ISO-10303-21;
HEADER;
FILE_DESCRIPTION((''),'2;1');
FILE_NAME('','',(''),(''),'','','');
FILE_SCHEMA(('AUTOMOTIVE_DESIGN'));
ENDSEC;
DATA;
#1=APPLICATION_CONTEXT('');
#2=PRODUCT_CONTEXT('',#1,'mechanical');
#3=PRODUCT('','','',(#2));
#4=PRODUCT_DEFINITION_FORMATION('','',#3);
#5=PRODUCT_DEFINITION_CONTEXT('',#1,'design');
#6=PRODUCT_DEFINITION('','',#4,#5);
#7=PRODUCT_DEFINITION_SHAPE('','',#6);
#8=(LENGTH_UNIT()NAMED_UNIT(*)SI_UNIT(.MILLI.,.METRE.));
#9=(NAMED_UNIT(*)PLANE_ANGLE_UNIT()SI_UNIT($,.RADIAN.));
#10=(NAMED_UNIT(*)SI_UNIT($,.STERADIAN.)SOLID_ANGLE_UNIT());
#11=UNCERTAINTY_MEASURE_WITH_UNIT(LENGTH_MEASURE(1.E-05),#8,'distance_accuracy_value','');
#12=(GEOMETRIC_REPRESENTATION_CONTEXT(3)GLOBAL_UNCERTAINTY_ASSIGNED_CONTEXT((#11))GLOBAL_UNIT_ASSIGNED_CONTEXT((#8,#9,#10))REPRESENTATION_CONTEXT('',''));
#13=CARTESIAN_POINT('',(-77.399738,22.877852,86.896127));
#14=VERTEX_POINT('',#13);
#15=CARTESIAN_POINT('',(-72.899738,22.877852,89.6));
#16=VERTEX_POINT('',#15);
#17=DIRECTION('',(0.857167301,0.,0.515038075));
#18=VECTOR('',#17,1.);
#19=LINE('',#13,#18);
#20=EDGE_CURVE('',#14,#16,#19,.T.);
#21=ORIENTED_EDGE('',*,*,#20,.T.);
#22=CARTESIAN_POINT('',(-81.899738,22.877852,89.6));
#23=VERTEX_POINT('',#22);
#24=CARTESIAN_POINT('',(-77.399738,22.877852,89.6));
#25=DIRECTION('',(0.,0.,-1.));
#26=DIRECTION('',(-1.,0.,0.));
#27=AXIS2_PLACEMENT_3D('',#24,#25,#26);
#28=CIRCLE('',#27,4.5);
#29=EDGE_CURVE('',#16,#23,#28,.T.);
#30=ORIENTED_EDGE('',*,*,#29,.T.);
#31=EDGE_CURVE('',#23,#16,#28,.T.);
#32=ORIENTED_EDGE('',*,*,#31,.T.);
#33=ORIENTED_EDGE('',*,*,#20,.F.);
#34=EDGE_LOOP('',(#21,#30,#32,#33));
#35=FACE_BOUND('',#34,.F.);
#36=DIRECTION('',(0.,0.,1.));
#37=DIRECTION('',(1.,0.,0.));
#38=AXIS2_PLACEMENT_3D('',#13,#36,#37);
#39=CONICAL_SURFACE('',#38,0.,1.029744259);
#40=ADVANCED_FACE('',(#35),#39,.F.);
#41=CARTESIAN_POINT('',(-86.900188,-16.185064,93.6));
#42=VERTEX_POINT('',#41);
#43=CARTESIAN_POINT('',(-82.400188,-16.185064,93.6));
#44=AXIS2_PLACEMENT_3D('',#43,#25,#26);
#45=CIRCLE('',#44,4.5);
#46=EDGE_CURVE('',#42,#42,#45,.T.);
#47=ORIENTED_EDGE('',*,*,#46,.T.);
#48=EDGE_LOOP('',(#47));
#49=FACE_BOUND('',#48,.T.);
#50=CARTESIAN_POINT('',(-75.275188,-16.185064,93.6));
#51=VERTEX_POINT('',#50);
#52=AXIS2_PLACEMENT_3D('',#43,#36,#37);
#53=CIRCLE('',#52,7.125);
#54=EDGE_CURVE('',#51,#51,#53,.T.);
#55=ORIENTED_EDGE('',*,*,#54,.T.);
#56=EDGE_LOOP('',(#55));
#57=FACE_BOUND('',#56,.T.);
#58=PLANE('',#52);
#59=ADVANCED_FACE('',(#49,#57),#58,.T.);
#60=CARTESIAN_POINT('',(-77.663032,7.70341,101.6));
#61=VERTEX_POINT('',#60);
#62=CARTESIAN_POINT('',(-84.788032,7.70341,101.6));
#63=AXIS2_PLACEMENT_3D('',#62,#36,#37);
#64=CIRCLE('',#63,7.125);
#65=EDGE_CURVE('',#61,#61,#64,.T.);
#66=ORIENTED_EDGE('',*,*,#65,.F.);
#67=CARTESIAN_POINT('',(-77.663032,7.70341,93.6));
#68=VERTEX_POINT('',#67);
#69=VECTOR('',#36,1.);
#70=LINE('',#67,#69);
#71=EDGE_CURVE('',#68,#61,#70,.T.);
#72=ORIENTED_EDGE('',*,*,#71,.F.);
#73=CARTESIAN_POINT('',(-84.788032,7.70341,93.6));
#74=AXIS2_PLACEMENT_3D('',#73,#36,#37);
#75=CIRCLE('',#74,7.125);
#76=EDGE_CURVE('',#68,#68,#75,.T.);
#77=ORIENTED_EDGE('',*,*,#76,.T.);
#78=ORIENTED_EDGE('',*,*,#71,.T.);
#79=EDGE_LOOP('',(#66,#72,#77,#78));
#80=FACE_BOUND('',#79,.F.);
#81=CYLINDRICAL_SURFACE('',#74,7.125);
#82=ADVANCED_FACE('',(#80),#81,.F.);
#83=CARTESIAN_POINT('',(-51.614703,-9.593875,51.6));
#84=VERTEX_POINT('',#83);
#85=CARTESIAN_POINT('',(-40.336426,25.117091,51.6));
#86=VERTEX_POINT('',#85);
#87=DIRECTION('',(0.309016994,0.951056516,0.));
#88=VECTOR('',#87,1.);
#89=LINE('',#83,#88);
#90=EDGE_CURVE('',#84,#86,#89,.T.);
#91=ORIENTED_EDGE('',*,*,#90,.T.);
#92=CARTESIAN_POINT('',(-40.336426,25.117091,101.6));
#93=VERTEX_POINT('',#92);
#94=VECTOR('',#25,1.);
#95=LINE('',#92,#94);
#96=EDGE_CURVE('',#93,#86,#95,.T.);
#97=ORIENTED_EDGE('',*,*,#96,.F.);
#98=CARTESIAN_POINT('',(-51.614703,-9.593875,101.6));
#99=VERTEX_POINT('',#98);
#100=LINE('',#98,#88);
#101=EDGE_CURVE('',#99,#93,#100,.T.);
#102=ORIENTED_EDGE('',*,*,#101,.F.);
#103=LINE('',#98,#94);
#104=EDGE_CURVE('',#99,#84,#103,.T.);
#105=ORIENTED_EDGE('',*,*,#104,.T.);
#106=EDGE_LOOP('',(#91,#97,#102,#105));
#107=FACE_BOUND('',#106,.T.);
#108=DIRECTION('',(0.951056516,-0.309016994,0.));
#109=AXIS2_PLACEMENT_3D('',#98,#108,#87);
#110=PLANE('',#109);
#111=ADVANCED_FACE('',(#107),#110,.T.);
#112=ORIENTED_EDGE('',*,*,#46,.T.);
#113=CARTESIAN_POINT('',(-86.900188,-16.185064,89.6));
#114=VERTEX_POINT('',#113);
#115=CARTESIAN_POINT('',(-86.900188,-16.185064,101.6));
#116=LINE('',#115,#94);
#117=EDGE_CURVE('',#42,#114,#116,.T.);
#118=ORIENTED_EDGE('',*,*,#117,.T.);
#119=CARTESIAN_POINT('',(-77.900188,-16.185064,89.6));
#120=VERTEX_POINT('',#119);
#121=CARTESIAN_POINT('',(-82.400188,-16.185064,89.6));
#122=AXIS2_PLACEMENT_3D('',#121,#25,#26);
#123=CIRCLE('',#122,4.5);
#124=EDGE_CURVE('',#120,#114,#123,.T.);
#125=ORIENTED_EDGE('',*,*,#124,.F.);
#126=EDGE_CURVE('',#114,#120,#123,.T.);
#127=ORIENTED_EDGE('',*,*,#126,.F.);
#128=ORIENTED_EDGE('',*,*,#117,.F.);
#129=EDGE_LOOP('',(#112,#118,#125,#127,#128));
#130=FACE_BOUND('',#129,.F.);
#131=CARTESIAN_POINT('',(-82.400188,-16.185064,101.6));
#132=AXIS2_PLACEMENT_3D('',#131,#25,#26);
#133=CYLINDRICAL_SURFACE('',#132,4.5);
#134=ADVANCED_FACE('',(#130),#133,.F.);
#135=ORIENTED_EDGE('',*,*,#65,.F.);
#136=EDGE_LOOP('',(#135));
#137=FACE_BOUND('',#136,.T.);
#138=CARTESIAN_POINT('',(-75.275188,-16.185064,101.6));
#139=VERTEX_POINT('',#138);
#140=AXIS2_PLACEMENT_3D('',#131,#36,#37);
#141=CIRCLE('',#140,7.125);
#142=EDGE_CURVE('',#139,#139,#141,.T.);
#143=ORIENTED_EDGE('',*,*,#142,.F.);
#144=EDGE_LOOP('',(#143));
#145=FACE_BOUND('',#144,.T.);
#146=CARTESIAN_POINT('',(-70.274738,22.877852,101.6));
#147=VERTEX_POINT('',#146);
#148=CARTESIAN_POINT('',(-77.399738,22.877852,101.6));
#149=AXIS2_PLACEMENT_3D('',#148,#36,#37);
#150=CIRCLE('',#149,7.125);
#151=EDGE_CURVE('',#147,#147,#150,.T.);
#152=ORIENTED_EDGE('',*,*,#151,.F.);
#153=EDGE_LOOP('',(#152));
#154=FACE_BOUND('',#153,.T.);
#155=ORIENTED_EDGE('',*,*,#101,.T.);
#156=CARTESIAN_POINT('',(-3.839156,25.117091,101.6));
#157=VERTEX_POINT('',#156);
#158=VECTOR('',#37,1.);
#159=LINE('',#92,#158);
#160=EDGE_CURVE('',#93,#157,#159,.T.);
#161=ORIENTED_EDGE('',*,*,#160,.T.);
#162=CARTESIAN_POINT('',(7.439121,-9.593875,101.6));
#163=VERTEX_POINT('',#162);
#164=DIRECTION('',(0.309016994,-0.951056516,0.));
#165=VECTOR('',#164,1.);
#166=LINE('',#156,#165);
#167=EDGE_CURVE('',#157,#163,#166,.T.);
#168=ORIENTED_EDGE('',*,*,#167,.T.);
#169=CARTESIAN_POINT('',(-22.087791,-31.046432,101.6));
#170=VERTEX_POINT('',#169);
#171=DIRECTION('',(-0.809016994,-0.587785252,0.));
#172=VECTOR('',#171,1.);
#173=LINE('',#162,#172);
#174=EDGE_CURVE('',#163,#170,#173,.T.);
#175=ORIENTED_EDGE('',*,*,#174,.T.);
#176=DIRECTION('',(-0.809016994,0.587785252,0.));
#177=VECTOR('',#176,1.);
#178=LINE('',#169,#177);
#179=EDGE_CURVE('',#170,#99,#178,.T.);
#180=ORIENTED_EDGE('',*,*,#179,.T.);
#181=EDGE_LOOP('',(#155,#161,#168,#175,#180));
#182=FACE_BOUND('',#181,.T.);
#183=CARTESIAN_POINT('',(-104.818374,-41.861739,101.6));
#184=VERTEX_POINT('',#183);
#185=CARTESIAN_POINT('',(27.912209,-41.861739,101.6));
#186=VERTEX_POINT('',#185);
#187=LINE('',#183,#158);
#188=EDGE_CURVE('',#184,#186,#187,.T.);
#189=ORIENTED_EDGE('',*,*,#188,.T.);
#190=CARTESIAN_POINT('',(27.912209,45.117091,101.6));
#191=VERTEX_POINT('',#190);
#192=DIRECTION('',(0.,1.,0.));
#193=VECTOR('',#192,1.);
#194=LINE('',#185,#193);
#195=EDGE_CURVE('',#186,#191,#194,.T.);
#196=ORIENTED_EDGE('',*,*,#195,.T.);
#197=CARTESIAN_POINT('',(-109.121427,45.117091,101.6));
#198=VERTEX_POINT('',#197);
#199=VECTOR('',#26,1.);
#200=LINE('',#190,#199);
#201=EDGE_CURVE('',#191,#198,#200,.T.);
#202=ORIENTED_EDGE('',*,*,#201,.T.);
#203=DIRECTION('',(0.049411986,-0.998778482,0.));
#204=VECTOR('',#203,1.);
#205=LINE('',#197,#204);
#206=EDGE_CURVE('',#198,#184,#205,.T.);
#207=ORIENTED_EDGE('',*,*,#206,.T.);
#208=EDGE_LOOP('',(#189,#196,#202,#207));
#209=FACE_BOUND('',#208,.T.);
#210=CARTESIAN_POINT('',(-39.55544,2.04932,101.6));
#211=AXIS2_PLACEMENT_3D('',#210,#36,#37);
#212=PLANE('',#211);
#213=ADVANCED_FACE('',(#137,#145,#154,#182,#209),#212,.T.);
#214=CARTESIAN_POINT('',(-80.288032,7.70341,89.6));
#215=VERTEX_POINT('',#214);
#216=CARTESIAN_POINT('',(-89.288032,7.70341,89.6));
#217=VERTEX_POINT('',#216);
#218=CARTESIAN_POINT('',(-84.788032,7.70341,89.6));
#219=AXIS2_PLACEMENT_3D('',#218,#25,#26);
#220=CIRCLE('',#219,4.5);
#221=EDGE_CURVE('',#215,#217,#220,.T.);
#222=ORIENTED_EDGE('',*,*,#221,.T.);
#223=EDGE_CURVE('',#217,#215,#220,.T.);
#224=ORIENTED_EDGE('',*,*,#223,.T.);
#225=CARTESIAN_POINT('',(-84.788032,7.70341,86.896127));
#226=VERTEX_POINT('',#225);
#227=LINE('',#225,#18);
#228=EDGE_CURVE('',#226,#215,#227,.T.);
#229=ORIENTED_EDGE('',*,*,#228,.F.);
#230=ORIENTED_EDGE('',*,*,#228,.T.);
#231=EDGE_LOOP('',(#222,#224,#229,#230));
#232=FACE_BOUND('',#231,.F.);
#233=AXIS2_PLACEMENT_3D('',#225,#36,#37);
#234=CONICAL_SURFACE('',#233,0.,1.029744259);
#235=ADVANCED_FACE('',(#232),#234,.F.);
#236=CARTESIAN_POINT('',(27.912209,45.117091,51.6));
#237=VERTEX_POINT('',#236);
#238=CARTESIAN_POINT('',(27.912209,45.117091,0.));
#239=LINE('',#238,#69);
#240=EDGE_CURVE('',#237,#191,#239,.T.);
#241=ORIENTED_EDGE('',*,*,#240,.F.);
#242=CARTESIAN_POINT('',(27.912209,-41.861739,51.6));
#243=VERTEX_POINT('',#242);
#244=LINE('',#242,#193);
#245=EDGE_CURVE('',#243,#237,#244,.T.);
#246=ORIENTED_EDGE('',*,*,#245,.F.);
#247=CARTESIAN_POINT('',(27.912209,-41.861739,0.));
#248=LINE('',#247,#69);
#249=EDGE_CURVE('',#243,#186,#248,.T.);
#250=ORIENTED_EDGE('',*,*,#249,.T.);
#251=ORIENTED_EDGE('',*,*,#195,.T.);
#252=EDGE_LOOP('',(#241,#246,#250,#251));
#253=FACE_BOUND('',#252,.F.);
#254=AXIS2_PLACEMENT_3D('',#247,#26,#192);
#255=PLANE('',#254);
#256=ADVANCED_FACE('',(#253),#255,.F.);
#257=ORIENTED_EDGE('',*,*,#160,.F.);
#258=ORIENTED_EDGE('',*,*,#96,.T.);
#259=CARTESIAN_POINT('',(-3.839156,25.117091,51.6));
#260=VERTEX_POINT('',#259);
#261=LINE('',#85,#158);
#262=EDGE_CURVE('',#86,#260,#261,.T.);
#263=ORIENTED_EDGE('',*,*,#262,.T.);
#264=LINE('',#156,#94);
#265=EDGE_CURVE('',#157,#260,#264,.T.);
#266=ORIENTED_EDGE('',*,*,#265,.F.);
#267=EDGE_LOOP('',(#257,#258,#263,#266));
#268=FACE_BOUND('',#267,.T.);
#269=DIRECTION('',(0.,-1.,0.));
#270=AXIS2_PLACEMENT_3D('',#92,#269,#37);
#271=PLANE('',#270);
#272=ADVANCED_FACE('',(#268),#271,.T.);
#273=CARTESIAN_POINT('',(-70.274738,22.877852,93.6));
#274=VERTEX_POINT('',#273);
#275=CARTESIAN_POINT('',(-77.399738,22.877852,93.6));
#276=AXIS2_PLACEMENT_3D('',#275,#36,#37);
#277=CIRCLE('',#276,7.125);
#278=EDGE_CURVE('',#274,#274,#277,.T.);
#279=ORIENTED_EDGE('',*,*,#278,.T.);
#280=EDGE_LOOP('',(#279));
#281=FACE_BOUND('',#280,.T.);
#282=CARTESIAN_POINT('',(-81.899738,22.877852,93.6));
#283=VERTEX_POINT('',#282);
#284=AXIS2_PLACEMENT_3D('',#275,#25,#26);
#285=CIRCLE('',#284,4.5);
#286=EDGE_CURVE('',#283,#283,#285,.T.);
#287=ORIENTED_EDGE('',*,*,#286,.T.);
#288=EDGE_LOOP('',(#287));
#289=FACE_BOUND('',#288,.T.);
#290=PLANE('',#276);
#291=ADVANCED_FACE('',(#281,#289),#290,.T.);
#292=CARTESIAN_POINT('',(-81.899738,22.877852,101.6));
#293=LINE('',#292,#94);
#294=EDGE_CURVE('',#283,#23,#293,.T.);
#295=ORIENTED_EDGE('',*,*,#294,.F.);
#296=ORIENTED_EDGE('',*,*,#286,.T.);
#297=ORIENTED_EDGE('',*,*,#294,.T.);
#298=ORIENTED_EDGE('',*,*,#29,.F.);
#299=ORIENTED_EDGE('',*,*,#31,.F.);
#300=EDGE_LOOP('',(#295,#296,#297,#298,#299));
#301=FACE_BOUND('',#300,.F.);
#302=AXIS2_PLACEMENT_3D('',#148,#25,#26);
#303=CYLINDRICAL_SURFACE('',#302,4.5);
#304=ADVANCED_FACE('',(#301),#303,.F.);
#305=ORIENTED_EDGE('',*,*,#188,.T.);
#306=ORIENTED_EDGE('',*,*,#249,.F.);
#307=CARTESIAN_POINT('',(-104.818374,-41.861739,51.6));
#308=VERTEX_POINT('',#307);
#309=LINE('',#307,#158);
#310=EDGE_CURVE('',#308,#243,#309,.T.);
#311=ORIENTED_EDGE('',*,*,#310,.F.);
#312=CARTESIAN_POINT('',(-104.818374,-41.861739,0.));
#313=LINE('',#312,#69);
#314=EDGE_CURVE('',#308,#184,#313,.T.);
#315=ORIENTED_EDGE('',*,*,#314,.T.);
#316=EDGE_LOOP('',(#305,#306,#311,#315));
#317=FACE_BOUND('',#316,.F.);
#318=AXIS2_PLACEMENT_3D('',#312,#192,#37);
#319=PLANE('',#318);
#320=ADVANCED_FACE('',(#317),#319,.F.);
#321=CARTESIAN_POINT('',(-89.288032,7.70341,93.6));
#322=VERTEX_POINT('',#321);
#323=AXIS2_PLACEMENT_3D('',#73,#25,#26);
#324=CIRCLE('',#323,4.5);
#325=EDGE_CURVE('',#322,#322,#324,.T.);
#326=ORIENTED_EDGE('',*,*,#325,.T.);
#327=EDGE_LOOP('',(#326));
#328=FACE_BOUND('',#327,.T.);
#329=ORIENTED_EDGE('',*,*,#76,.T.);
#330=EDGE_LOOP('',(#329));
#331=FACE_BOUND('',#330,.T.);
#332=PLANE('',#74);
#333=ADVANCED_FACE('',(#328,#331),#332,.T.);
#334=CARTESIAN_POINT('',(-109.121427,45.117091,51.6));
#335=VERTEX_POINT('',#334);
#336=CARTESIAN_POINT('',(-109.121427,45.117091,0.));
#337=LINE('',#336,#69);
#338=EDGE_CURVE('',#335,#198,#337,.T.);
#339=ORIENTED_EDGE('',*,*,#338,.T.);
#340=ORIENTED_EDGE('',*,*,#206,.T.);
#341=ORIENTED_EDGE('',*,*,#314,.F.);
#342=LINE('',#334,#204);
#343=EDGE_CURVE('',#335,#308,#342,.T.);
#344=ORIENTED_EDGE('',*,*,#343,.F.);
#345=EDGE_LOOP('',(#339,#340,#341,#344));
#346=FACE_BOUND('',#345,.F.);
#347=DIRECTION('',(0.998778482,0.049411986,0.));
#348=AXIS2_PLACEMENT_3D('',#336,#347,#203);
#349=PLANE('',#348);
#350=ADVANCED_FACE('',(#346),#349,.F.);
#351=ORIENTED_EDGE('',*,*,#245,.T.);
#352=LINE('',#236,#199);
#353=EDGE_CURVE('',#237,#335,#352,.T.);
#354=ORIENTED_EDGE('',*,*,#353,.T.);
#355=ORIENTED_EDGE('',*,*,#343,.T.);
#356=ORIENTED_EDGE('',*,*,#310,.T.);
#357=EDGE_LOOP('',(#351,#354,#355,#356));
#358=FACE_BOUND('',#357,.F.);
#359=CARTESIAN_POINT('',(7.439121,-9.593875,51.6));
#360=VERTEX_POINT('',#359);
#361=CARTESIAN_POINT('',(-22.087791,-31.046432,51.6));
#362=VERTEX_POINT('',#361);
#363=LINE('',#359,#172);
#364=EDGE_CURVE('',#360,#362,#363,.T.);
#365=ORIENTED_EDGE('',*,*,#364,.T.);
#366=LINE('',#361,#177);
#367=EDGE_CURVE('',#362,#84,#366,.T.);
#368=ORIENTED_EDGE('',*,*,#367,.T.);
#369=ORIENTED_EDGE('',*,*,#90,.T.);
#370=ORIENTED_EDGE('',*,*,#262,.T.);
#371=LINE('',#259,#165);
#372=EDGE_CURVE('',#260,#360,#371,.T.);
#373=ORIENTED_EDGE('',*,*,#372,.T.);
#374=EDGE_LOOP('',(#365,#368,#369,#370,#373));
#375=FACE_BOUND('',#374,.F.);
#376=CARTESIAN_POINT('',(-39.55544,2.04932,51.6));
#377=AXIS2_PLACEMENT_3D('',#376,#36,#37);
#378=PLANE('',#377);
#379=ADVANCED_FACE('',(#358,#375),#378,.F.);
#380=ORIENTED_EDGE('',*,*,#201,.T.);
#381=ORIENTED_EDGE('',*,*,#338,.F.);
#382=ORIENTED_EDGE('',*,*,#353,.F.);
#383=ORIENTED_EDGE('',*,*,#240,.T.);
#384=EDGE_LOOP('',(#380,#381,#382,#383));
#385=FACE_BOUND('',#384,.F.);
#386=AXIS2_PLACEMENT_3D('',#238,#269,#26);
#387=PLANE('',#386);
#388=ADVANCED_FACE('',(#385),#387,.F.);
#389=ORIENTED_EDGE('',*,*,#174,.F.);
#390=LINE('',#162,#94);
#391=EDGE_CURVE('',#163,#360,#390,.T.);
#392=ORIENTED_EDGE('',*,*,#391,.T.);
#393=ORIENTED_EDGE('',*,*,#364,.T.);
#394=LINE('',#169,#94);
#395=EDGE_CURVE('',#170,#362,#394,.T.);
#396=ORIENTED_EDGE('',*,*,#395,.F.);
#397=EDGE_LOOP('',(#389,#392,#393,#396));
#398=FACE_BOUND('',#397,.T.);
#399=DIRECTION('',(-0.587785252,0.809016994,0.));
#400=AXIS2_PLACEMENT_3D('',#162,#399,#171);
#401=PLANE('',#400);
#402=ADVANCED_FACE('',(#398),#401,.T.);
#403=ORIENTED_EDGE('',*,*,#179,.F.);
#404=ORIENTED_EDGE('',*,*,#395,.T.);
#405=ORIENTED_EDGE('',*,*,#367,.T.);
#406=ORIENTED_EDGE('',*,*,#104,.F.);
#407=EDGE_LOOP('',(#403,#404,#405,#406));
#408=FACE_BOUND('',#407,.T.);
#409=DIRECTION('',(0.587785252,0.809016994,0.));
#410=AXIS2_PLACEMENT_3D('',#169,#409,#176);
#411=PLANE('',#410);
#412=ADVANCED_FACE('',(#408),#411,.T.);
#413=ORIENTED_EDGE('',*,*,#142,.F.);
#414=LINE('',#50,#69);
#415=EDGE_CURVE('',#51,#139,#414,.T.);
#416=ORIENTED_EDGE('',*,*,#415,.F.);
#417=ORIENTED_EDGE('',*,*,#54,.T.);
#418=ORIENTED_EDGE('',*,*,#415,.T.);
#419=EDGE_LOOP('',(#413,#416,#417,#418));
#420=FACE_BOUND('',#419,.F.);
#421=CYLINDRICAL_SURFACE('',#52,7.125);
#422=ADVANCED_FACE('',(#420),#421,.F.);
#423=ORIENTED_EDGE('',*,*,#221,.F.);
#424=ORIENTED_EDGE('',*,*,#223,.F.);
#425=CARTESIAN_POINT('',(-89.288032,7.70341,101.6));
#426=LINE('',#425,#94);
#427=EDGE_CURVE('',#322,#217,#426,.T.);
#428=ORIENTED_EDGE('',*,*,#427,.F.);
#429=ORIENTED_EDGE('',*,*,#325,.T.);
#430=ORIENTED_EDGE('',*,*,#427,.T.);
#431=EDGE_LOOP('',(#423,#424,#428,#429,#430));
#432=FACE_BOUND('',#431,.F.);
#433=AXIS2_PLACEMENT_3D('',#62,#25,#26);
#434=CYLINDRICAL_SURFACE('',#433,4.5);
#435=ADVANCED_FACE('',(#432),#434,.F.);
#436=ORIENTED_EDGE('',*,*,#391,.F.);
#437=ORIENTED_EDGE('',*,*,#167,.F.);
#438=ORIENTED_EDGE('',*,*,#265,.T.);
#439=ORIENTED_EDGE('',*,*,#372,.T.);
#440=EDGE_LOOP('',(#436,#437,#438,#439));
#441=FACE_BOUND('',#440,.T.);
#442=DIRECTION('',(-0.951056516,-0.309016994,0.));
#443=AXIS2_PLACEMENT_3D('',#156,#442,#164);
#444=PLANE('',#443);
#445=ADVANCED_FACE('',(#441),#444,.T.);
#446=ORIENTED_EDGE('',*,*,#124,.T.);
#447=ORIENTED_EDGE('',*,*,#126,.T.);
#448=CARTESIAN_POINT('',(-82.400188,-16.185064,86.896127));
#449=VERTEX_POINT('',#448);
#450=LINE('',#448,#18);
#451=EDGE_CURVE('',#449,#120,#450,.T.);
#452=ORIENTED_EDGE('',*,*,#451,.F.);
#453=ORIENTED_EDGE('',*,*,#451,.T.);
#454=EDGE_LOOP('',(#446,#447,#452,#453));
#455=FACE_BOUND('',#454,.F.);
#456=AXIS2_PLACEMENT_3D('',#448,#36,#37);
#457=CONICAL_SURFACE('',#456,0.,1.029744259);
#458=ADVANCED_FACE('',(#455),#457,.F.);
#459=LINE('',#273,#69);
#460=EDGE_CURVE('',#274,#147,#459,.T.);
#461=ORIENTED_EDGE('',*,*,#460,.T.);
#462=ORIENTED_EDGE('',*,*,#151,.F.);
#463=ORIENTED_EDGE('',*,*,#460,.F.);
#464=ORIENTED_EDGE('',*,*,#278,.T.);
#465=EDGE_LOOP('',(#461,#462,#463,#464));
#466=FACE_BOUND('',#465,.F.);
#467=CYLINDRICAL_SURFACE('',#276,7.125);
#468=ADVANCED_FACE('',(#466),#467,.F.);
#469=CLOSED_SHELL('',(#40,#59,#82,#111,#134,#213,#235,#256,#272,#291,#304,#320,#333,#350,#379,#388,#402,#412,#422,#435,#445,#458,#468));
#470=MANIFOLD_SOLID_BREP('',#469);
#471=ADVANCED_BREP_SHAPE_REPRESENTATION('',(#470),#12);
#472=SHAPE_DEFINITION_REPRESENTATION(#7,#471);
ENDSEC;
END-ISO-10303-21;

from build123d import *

# Parameters (mm, degrees)
F1_DEPTH       = 101.6
F5_DEPTH       = 50
F7_D           = 9
F7_DEPTH       = 12
F7_CBORE_D     = 14.25
F7_CBORE_DEPTH = 8
F7_TIP         = 2.7038727856


with BuildPart() as f1:
    # F0 (on Top) → F1 (new body)
    with BuildSketch(Plane.XY):
        Polygon((-109.12142694, 45.1170913875), (-104.8183739185, -41.8617390096), (27.9122088104, -41.8617390096), (27.9122088104, 45.1170913875), align=None)
    extrude(amount=F1_DEPTH)

    # F2 (on face) → F3 (revolve)
    with BuildSketch(Plane.XZ.offset(41.8617390096)):
        Polygon((-104.8183739185, 0), (-104.8183739185, 50.8), (-134.8183739185, 50.8), (-107.7620375156, 0), align=None)
    revolve(axis=Axis((27.9122088104, -41.8617390096, 50.8), (0, 0, -1)))

    # F4 (on face) → F5 (intersect)
    with BuildSketch(Plane.XY.offset(101.6)):
        Polygon((27.9122088104, 45.1170913875), (-109.12142694, 45.1170913875), (-104.8183739185, -41.8617390096), (27.9122088104, -41.8617390096), align=None)
        Polygon((-51.6147029857, -9.5938752115), (-40.3364262624, 25.1170913875), (-3.8391561167, 25.1170913875), (7.4391206066, -9.5938752115), (-22.0877911896, -31.046432352), align=None, mode=Mode.SUBTRACT)
    extrude(amount=-F5_DEPTH, mode=Mode.INTERSECT)

    # F7
    with Locations(Plane.XY.offset(101.6)):
        with Locations((-82.40018785, -16.1850638688), (-84.7880318761, 7.7034095302), (-77.399738133, 22.8778515011)):
            CounterBoreHole(F7_D / 2, F7_CBORE_D / 2, F7_CBORE_DEPTH, depth=F7_DEPTH)
            with Locations((0, 0, -(F7_DEPTH + F7_TIP / 2))):  # 118° drill point
                Cone(0, F7_D / 2, F7_TIP, mode=Mode.SUBTRACT)


solid = f1.part
